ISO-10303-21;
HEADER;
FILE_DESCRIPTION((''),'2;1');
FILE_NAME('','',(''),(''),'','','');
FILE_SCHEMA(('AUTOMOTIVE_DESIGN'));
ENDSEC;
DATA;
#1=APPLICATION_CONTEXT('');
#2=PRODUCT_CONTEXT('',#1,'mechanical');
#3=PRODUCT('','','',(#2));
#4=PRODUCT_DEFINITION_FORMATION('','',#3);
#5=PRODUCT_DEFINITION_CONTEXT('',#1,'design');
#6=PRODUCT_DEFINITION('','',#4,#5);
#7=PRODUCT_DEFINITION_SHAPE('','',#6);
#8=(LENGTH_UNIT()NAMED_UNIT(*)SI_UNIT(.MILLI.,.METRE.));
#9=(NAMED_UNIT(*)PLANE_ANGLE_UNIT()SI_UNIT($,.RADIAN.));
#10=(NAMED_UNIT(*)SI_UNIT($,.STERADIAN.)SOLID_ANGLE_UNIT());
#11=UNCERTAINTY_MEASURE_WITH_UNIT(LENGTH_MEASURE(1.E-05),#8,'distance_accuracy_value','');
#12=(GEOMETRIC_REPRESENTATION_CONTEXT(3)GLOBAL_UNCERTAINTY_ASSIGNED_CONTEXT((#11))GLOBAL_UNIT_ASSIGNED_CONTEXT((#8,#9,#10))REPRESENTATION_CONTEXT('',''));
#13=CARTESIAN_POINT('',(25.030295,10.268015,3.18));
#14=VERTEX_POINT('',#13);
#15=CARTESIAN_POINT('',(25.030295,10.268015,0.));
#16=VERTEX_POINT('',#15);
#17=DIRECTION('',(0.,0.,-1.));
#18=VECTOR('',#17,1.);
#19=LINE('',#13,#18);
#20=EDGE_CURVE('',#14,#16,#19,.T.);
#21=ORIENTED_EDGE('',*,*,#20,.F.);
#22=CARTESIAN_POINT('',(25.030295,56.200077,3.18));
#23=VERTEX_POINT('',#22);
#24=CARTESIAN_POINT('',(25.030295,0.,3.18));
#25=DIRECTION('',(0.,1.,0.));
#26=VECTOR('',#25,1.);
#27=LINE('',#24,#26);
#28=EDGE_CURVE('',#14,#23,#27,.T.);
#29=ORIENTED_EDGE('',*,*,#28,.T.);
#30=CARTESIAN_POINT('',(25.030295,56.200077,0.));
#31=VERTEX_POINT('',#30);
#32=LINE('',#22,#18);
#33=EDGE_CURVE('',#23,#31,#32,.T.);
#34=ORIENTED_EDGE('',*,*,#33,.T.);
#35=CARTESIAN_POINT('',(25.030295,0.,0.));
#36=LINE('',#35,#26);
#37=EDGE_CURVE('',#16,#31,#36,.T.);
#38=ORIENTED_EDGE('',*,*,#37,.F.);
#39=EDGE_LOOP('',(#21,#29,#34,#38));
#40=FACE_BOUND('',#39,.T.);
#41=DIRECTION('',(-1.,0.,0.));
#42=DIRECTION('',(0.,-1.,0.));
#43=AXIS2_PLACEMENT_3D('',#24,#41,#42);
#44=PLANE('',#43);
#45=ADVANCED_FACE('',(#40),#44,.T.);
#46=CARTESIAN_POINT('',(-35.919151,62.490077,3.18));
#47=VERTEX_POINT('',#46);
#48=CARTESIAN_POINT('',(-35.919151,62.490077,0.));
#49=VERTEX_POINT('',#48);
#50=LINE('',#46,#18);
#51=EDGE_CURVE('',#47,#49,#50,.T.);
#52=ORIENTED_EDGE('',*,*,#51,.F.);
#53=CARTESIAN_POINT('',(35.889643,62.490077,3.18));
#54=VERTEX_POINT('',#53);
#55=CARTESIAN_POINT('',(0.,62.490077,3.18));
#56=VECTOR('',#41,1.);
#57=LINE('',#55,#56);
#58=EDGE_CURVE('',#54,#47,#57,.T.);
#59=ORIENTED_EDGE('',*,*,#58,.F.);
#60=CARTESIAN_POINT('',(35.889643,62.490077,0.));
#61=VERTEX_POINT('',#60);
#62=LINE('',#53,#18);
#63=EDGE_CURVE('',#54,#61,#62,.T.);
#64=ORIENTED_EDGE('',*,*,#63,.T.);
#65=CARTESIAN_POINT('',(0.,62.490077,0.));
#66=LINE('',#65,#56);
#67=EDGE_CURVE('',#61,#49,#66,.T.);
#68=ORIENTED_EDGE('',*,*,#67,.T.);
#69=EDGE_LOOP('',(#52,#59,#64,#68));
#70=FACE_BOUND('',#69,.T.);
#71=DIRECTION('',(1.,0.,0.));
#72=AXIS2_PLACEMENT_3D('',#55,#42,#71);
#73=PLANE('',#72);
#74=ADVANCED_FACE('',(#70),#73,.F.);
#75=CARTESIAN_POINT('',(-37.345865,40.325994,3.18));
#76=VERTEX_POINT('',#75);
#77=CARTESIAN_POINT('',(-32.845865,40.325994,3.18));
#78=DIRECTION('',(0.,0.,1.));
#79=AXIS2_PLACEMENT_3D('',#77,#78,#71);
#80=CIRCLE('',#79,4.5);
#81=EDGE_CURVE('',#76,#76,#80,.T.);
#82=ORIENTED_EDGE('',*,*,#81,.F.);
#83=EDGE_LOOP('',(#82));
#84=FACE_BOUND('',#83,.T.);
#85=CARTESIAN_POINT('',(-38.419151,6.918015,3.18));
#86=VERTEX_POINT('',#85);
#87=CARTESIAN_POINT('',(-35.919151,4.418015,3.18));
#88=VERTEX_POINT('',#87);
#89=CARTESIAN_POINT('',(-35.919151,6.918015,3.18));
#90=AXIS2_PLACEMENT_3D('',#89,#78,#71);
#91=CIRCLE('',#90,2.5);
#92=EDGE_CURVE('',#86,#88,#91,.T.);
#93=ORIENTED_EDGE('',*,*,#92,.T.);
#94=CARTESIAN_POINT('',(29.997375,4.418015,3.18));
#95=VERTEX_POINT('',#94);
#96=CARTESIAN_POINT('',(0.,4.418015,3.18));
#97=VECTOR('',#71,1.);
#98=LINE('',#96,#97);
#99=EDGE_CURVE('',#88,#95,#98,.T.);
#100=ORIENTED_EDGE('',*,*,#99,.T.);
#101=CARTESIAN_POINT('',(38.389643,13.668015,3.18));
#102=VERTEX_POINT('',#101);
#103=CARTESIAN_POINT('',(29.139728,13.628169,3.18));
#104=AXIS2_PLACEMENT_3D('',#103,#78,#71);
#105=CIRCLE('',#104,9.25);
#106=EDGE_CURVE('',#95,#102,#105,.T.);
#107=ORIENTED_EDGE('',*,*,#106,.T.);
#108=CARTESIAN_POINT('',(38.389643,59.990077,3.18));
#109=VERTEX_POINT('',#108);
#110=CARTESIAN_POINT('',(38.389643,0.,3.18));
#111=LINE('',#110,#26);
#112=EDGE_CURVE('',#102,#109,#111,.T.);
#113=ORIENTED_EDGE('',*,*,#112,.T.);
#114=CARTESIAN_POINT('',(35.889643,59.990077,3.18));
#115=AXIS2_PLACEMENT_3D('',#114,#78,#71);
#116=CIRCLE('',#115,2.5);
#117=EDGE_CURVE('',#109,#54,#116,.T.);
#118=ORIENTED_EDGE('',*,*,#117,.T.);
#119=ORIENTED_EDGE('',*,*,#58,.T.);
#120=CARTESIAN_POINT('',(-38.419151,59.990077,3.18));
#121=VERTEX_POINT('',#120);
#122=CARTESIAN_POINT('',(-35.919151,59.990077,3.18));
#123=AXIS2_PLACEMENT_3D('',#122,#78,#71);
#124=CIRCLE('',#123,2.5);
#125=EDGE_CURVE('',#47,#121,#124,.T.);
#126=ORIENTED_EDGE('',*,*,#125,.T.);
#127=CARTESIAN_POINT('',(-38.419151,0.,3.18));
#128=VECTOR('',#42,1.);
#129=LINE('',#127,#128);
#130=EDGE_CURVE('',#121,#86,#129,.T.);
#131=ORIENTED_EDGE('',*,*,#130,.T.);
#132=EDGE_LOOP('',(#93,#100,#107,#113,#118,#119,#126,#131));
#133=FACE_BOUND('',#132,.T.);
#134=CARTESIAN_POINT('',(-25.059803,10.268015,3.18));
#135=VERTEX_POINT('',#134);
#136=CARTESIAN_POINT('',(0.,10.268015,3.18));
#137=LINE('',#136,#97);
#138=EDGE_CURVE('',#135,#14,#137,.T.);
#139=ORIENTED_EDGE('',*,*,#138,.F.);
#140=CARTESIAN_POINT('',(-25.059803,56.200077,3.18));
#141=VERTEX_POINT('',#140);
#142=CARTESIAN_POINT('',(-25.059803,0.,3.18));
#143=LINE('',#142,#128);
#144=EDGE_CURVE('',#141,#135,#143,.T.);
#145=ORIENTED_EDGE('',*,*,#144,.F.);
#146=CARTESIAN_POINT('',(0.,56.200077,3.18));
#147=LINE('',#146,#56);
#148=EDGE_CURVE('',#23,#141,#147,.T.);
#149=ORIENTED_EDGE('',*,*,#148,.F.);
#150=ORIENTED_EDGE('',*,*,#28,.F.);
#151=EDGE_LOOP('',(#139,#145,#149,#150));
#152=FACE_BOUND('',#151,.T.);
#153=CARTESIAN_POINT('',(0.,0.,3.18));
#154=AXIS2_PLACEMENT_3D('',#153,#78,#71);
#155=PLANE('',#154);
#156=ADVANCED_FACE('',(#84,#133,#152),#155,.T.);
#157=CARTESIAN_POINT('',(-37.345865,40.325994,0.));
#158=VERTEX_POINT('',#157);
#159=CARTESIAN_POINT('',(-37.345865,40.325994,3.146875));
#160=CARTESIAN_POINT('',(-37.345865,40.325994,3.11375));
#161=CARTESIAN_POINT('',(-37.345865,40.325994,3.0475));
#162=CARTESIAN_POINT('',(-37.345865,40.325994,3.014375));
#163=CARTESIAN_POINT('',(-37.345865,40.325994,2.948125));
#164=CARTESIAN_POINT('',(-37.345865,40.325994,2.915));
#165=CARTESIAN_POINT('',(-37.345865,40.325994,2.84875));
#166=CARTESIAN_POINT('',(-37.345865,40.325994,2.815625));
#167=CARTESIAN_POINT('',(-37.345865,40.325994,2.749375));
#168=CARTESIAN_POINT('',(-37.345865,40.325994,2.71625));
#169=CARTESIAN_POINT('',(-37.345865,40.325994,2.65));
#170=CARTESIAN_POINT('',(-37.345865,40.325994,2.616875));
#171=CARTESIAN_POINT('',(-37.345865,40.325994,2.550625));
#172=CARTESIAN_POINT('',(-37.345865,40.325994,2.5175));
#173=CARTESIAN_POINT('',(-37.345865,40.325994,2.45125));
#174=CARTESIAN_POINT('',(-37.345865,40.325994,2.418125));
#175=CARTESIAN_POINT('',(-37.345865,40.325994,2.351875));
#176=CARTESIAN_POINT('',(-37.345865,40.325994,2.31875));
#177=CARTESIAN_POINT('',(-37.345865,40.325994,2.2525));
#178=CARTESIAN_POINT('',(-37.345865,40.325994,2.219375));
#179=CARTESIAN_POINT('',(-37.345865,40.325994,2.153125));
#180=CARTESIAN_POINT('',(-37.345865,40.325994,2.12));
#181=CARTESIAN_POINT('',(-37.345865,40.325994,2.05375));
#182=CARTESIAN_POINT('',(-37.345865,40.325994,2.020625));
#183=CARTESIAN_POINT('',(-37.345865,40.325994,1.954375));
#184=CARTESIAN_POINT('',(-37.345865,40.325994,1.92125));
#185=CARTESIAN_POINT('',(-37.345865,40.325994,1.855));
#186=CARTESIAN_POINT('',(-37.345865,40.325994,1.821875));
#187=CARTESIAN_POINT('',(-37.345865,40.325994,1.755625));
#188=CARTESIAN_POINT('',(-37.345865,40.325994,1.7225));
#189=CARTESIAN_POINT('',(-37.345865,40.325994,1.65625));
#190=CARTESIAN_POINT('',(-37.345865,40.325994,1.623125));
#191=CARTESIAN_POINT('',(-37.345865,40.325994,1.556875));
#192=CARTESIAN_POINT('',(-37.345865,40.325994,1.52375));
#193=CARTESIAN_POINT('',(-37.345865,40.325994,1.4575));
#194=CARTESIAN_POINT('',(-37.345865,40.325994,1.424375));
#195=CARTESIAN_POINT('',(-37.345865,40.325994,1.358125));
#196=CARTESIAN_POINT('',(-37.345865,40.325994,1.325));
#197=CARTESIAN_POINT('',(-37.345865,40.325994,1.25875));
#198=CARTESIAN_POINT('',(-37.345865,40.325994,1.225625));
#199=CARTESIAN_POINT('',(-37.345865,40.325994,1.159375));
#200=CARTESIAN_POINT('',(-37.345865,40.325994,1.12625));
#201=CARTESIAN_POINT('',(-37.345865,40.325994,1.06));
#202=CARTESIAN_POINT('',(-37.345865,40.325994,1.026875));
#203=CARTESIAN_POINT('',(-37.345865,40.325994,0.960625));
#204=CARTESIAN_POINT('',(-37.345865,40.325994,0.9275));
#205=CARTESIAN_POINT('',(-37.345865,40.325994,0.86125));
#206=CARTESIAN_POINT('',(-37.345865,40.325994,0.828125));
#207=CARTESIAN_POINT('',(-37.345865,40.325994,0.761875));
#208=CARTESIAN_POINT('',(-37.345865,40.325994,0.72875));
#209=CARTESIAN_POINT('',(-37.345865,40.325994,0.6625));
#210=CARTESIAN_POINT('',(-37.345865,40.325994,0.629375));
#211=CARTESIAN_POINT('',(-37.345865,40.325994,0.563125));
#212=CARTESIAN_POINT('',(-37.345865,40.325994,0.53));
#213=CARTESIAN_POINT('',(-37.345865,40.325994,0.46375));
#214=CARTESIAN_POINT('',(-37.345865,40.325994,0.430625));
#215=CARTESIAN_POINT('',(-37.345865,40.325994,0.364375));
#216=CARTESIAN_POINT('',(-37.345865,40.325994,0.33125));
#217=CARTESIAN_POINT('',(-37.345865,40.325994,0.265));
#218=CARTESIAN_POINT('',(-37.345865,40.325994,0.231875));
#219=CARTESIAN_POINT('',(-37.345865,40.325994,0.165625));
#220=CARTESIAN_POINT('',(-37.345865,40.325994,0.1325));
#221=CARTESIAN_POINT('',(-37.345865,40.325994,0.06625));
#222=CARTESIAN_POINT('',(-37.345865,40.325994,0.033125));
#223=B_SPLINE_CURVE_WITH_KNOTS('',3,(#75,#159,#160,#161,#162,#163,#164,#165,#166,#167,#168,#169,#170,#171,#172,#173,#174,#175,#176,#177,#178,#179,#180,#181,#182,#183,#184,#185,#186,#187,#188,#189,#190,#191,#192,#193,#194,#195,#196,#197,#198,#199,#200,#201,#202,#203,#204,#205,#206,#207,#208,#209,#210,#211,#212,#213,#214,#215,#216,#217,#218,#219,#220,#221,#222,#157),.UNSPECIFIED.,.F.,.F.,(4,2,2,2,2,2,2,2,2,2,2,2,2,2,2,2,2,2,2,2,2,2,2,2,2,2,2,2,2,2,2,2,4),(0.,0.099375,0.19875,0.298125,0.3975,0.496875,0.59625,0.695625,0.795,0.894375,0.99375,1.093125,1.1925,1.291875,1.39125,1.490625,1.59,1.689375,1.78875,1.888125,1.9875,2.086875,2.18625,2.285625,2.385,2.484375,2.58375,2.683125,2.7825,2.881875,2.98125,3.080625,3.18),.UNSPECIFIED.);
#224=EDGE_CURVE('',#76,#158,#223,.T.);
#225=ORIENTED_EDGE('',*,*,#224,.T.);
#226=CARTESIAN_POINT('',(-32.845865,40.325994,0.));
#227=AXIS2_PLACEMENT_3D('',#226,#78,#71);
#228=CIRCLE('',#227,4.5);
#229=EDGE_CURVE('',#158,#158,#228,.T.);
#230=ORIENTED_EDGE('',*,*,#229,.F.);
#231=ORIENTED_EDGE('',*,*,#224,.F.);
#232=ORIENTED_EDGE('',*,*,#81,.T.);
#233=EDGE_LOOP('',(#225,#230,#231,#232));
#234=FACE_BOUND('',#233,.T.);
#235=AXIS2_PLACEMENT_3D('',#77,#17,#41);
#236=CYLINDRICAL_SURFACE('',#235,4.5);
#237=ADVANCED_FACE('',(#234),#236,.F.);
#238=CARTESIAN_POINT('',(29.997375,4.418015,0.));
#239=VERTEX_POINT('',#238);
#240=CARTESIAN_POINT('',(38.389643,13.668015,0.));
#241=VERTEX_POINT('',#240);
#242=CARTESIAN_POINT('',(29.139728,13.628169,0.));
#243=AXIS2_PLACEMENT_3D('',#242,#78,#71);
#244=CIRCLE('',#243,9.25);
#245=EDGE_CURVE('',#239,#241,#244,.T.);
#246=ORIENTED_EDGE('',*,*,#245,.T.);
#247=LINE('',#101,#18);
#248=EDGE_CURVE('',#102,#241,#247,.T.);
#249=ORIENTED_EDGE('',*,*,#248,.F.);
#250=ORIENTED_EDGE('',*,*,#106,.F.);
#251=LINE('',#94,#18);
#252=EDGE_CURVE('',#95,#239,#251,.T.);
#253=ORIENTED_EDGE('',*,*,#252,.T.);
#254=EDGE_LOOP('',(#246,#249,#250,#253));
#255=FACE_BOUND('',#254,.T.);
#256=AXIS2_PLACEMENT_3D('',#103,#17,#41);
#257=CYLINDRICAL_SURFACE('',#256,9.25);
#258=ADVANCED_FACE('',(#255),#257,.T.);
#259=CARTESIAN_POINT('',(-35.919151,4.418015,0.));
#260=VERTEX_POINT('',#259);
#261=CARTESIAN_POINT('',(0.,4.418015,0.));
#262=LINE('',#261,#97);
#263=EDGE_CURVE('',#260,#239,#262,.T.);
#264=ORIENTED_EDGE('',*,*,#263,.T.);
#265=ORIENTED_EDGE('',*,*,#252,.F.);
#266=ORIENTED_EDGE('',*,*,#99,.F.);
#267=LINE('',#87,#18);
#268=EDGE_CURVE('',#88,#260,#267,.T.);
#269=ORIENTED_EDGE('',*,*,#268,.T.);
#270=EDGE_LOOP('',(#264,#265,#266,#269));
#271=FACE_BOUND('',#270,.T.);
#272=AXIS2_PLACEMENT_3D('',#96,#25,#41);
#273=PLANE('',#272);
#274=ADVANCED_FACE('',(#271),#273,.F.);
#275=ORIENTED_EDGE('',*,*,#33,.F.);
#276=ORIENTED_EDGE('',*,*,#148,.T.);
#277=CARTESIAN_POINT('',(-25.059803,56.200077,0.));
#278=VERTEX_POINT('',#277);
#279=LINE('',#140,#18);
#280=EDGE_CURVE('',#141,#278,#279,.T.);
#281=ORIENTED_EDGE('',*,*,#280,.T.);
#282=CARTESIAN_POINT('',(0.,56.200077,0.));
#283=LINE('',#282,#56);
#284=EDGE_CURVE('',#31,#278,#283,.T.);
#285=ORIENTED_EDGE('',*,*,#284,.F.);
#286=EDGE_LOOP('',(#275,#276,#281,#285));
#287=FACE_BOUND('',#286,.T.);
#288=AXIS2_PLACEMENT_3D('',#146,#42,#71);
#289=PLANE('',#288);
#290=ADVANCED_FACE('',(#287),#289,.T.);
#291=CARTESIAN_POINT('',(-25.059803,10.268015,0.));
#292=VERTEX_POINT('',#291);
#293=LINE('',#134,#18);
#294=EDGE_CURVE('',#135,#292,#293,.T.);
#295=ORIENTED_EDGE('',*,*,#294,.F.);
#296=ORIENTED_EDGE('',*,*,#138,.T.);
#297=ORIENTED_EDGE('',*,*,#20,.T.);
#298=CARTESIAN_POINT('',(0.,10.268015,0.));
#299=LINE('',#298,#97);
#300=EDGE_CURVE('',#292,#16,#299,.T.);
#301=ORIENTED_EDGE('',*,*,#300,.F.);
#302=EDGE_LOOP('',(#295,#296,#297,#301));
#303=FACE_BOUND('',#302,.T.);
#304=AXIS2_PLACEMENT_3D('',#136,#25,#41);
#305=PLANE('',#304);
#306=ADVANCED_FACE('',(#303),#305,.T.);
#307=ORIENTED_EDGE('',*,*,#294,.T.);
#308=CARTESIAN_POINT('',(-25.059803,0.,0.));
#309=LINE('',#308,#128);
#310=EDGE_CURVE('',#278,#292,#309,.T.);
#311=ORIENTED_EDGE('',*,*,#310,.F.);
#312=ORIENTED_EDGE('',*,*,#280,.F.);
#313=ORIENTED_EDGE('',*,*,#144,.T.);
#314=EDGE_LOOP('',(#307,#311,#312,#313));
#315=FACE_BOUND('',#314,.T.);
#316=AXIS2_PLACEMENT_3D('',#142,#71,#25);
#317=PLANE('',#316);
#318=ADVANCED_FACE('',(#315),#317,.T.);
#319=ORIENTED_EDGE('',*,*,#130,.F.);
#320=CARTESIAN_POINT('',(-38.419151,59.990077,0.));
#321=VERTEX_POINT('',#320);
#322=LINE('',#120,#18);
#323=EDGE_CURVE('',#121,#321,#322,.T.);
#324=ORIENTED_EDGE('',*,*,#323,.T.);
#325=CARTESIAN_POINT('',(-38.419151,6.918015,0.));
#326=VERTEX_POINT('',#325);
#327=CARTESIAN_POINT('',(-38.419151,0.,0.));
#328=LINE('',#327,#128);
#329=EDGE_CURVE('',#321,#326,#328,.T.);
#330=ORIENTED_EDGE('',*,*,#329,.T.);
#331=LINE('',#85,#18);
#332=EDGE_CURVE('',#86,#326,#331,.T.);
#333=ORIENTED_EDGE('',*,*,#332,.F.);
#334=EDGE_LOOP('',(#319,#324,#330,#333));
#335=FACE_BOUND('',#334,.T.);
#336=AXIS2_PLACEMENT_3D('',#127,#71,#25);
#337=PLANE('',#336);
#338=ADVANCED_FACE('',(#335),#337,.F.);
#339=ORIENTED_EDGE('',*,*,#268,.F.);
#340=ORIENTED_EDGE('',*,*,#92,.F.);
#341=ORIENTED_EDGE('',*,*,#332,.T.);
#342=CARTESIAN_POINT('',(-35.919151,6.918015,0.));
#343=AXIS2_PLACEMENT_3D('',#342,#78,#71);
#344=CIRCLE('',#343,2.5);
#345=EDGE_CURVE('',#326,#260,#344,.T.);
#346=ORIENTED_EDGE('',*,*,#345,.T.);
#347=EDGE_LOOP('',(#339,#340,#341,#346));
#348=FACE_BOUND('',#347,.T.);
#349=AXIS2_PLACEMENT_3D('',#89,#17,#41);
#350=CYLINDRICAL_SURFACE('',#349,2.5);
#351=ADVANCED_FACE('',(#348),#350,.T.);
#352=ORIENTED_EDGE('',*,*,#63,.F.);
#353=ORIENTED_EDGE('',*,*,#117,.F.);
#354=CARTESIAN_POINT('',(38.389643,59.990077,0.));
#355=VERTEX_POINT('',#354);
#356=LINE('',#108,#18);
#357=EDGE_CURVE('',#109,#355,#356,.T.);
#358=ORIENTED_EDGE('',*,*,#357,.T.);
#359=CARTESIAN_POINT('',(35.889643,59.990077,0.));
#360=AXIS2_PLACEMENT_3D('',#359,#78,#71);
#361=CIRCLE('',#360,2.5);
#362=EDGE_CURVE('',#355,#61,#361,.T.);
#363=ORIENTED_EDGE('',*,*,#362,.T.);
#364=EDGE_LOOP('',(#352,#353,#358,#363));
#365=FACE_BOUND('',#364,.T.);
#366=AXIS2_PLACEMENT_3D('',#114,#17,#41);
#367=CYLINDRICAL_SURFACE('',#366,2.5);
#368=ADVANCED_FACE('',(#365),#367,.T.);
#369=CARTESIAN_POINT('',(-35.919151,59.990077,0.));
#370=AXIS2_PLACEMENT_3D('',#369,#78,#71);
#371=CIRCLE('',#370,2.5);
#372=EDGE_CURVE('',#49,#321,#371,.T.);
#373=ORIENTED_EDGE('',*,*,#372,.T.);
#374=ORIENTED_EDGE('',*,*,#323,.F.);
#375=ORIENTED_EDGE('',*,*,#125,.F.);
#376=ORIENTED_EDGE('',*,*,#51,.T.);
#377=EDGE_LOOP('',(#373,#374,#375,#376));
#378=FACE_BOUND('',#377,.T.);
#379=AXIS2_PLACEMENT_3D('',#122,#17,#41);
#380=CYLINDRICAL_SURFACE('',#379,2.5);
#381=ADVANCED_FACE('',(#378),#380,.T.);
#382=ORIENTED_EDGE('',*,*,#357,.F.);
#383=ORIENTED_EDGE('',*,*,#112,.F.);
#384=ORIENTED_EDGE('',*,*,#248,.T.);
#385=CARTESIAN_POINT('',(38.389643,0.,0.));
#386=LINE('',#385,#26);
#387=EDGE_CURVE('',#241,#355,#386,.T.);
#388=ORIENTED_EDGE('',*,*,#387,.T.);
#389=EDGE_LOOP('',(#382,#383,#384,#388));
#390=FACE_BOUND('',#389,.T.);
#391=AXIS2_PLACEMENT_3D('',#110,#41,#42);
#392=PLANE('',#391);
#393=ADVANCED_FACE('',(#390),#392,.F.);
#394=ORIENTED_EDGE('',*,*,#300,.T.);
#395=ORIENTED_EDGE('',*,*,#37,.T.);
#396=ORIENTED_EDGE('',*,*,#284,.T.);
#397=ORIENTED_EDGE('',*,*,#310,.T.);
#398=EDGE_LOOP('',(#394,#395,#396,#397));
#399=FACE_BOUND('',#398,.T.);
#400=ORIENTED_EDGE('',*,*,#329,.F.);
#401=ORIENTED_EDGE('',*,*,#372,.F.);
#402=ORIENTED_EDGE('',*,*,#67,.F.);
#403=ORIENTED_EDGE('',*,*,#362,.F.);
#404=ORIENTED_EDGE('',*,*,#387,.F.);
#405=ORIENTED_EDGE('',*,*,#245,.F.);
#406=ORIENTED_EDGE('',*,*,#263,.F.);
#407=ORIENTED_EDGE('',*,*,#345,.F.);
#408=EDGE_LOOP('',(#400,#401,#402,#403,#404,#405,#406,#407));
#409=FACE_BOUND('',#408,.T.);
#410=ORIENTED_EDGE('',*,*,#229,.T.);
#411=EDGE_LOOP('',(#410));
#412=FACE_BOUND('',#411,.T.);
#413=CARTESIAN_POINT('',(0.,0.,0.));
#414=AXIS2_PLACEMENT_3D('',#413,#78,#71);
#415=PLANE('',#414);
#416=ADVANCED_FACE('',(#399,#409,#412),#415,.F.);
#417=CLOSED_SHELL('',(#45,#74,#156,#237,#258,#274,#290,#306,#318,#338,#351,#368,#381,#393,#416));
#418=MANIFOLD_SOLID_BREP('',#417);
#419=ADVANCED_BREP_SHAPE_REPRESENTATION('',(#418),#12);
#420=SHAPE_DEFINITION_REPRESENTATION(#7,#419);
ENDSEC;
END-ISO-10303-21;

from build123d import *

# Parameters (mm, degrees)
SKETCH1_R   = 4.5
SKETCH1_W   = 50.090098238
SKETCH1_H   = 45.932062837
BEZEL_DEPTH = 3.18


with BuildPart() as part:
    # Sketch1 → Bezel (new body)
    with BuildSketch(Plane.XY):
        with BuildLine():
            Line((-35.919151108, 4.418014642), (29.997375098, 4.418014642))
            ThreePointArc((29.997375098, 4.418014642), (35.990372343, 7.41277043), (38.389642662, 13.668014642))
            Line((38.389642662, 13.668014642), (38.389642662, 59.990077479))
            ThreePointArc((38.389642662, 59.990077479), (37.657409615, 61.757844432), (35.889642662, 62.490077479))
            Line((35.889642662, 62.490077479), (-35.919151108, 62.490077479))
            ThreePointArc((-35.919151108, 62.490077479), (-37.686918061, 61.757844432), (-38.419151108, 59.990077479))
            Line((-38.419151108, 59.990077479), (-38.419151108, 6.918014642))
            ThreePointArc((-38.419151108, 6.918014642), (-37.686918061, 5.150247689), (-35.919151108, 4.418014642))
        make_face()
        with Locations(Location((-32.845865367, 40.325993685, 0), (0, 0, 180))):
            Circle(SKETCH1_R, mode=Mode.SUBTRACT)
        with Locations((-0.014754223, 33.23404606)):
            Rectangle(SKETCH1_W, SKETCH1_H, mode=Mode.SUBTRACT)
    extrude(amount=BEZEL_DEPTH)


solid = part.part
